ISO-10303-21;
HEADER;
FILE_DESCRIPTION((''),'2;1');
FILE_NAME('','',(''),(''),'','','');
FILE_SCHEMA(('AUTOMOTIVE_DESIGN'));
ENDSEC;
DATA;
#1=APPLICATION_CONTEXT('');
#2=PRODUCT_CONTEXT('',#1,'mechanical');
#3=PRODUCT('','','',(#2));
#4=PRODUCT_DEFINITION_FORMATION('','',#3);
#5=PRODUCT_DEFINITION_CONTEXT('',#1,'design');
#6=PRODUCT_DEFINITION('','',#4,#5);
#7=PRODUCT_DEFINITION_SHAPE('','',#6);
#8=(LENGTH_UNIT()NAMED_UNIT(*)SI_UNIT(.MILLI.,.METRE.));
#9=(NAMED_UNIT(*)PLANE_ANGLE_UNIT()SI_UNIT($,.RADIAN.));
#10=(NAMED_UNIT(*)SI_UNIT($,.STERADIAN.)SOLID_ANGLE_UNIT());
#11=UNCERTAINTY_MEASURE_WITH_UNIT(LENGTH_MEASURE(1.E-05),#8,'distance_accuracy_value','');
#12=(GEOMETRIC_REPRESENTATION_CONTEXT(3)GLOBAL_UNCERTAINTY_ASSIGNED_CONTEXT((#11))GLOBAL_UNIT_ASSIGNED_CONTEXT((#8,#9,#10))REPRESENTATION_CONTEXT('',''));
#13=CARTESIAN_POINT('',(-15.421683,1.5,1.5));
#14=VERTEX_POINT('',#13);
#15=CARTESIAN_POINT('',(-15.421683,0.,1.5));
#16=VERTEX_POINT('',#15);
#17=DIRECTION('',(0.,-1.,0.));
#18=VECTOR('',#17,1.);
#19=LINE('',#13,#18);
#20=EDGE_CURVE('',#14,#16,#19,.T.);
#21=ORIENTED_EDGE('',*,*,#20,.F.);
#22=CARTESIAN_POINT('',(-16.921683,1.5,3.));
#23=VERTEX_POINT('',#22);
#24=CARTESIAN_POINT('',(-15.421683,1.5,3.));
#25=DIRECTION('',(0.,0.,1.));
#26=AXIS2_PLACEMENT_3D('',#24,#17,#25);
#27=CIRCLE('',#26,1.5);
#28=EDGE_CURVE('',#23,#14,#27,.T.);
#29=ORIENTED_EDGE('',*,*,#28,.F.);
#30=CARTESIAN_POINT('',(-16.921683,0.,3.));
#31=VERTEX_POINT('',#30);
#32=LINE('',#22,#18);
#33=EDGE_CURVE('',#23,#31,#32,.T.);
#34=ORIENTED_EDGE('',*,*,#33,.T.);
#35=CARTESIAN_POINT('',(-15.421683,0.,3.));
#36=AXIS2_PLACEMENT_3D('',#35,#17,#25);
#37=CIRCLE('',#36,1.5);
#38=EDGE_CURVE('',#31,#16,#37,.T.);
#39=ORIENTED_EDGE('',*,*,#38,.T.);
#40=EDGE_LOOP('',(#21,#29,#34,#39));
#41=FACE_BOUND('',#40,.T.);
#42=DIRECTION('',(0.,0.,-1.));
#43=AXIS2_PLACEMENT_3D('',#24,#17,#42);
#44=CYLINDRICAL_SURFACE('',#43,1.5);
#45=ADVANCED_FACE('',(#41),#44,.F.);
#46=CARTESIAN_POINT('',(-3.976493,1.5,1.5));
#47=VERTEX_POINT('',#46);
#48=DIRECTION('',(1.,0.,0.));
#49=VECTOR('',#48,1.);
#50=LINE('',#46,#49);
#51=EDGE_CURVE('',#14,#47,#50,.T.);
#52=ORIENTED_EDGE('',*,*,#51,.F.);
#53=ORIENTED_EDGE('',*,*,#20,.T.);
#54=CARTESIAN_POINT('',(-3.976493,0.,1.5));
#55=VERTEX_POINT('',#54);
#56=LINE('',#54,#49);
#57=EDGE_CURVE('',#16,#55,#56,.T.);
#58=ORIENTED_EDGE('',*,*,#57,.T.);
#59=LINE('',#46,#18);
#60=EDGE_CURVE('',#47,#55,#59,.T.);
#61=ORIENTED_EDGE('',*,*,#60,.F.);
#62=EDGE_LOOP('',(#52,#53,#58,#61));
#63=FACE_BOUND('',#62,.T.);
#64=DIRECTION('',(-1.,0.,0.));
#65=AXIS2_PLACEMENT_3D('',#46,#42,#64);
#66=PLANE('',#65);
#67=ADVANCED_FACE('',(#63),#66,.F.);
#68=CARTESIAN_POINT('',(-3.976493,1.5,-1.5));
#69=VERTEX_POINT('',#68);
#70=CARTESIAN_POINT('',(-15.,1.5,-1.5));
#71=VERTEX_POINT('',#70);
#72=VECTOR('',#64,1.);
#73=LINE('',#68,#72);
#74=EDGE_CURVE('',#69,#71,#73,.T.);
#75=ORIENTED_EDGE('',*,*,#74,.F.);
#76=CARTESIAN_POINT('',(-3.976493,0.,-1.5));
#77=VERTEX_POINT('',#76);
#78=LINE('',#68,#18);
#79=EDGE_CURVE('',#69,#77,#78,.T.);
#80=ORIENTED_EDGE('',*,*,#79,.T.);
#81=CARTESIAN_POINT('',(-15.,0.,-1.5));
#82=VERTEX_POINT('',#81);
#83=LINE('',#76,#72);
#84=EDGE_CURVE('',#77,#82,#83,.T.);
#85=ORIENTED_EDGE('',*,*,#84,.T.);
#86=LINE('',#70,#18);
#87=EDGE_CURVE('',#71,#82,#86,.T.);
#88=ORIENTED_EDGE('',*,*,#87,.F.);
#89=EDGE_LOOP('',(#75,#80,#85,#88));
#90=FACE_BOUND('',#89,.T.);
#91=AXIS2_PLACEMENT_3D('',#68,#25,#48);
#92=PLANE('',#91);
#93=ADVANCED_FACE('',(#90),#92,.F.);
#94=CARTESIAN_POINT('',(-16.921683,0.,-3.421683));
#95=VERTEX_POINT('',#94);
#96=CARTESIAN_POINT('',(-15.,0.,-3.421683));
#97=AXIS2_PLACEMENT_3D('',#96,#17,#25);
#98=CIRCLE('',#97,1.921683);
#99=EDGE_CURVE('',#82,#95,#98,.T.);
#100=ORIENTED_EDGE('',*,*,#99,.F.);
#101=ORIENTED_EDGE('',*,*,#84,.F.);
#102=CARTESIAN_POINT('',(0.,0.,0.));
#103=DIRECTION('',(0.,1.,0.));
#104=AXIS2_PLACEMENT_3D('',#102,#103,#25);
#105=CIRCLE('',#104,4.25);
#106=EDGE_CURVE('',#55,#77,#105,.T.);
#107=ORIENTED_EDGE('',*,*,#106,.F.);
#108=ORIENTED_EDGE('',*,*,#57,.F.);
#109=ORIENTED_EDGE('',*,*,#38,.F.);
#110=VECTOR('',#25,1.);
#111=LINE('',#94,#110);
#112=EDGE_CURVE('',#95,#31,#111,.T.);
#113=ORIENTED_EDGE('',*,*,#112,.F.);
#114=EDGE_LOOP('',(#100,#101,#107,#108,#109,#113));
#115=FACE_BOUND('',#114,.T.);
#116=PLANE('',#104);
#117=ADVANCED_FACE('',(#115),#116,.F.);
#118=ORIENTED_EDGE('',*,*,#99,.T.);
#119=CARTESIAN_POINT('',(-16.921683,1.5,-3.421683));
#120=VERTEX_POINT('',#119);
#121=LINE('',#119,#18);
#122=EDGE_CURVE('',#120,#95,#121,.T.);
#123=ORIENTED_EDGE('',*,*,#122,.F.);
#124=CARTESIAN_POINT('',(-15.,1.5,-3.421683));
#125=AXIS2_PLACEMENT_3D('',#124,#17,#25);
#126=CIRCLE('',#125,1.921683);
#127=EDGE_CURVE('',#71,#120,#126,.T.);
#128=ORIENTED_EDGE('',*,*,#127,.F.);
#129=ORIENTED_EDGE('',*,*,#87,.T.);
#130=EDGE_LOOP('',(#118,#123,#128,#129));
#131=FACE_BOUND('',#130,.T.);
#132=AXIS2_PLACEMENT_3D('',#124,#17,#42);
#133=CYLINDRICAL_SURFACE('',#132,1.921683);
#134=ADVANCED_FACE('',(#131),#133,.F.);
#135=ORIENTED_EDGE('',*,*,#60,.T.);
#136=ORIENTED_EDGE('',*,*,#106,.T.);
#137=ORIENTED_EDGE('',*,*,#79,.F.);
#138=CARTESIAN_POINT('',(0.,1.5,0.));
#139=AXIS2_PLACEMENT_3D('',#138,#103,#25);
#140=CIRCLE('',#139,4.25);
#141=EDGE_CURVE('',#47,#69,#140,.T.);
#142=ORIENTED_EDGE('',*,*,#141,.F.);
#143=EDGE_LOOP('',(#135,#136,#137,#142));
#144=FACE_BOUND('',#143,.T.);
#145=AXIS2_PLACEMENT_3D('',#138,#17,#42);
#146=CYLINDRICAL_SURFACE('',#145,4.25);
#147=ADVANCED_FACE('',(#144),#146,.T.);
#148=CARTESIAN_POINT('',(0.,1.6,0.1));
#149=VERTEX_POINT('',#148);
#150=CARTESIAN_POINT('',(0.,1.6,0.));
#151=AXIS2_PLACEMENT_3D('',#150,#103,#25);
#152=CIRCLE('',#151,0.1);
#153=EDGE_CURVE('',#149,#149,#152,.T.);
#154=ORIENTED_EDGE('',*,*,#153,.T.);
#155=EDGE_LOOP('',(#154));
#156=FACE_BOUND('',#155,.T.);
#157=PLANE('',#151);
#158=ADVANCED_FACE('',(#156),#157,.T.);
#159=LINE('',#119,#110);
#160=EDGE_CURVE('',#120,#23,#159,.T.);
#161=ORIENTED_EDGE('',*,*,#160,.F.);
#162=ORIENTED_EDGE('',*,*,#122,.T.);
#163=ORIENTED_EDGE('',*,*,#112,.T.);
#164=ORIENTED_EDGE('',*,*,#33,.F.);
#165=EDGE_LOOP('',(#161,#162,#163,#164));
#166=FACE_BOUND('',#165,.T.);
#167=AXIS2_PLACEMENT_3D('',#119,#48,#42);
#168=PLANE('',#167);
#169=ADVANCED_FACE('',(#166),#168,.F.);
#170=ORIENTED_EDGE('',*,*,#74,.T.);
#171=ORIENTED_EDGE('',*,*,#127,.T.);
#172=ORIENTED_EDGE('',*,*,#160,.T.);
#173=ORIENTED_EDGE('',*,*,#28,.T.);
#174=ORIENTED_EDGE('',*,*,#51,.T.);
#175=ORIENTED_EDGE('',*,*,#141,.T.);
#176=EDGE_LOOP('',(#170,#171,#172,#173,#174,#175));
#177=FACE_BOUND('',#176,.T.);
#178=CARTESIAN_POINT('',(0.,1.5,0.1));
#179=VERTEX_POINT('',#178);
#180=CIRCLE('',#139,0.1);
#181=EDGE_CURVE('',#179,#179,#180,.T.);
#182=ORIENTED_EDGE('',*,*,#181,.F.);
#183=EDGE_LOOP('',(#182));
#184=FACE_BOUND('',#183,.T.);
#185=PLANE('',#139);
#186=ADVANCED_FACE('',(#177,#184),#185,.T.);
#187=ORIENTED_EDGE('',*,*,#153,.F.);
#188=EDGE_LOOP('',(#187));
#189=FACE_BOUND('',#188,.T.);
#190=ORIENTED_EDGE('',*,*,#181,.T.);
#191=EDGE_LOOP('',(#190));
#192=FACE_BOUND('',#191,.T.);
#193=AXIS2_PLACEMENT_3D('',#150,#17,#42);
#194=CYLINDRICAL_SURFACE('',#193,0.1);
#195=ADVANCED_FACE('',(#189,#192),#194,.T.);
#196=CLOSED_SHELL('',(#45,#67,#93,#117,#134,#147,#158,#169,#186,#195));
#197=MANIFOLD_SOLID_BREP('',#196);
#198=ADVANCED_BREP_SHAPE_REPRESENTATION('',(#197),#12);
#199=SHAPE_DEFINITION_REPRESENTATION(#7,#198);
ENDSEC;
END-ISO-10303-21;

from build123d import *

# Parameters (mm, degrees)
RESSALTO_EXTRUS_O1_DEPTH = 1.5
ESBO_O2_R                = 0.1
RESSALTO_EXTRUS_O2_DEPTH = 0.1


with BuildPart() as part:
    # Esboço1 → Ressalto-extrusão1 (new body)
    with BuildSketch(Plane(origin=(0, 0, 0), x_dir=(1, 0, 0), z_dir=(0, 1, 0))):
        with BuildLine():
            Line((-3.97649343, 1.5), (-15, 1.5))
            ThreePointArc((-15, 1.5), (-16.358835062, 2.062847912), (-16.921682974, 3.421682974))
            Line((-16.921682974, 3.421682974), (-16.921682974, -3))
            ThreePointArc((-16.921682974, -3), (-16.482343146, -1.939339828), (-15.421682974, -1.5))
            Line((-15.421682974, -1.5), (-3.97649343, -1.5))
            ThreePointArc((-3.97649343, -1.5), (4.25, 0), (-3.97649343, 1.5))
        make_face()
    extrude(amount=RESSALTO_EXTRUS_O1_DEPTH)

    # Esboço2 → Ressalto-extrusão2 (add)
    with BuildSketch(Plane(origin=(0, 1.5, 0), x_dir=(1, 0, 0), z_dir=(0, 1, 0))):
        Circle(ESBO_O2_R)
    extrude(amount=RESSALTO_EXTRUS_O2_DEPTH)


solid = part.part
